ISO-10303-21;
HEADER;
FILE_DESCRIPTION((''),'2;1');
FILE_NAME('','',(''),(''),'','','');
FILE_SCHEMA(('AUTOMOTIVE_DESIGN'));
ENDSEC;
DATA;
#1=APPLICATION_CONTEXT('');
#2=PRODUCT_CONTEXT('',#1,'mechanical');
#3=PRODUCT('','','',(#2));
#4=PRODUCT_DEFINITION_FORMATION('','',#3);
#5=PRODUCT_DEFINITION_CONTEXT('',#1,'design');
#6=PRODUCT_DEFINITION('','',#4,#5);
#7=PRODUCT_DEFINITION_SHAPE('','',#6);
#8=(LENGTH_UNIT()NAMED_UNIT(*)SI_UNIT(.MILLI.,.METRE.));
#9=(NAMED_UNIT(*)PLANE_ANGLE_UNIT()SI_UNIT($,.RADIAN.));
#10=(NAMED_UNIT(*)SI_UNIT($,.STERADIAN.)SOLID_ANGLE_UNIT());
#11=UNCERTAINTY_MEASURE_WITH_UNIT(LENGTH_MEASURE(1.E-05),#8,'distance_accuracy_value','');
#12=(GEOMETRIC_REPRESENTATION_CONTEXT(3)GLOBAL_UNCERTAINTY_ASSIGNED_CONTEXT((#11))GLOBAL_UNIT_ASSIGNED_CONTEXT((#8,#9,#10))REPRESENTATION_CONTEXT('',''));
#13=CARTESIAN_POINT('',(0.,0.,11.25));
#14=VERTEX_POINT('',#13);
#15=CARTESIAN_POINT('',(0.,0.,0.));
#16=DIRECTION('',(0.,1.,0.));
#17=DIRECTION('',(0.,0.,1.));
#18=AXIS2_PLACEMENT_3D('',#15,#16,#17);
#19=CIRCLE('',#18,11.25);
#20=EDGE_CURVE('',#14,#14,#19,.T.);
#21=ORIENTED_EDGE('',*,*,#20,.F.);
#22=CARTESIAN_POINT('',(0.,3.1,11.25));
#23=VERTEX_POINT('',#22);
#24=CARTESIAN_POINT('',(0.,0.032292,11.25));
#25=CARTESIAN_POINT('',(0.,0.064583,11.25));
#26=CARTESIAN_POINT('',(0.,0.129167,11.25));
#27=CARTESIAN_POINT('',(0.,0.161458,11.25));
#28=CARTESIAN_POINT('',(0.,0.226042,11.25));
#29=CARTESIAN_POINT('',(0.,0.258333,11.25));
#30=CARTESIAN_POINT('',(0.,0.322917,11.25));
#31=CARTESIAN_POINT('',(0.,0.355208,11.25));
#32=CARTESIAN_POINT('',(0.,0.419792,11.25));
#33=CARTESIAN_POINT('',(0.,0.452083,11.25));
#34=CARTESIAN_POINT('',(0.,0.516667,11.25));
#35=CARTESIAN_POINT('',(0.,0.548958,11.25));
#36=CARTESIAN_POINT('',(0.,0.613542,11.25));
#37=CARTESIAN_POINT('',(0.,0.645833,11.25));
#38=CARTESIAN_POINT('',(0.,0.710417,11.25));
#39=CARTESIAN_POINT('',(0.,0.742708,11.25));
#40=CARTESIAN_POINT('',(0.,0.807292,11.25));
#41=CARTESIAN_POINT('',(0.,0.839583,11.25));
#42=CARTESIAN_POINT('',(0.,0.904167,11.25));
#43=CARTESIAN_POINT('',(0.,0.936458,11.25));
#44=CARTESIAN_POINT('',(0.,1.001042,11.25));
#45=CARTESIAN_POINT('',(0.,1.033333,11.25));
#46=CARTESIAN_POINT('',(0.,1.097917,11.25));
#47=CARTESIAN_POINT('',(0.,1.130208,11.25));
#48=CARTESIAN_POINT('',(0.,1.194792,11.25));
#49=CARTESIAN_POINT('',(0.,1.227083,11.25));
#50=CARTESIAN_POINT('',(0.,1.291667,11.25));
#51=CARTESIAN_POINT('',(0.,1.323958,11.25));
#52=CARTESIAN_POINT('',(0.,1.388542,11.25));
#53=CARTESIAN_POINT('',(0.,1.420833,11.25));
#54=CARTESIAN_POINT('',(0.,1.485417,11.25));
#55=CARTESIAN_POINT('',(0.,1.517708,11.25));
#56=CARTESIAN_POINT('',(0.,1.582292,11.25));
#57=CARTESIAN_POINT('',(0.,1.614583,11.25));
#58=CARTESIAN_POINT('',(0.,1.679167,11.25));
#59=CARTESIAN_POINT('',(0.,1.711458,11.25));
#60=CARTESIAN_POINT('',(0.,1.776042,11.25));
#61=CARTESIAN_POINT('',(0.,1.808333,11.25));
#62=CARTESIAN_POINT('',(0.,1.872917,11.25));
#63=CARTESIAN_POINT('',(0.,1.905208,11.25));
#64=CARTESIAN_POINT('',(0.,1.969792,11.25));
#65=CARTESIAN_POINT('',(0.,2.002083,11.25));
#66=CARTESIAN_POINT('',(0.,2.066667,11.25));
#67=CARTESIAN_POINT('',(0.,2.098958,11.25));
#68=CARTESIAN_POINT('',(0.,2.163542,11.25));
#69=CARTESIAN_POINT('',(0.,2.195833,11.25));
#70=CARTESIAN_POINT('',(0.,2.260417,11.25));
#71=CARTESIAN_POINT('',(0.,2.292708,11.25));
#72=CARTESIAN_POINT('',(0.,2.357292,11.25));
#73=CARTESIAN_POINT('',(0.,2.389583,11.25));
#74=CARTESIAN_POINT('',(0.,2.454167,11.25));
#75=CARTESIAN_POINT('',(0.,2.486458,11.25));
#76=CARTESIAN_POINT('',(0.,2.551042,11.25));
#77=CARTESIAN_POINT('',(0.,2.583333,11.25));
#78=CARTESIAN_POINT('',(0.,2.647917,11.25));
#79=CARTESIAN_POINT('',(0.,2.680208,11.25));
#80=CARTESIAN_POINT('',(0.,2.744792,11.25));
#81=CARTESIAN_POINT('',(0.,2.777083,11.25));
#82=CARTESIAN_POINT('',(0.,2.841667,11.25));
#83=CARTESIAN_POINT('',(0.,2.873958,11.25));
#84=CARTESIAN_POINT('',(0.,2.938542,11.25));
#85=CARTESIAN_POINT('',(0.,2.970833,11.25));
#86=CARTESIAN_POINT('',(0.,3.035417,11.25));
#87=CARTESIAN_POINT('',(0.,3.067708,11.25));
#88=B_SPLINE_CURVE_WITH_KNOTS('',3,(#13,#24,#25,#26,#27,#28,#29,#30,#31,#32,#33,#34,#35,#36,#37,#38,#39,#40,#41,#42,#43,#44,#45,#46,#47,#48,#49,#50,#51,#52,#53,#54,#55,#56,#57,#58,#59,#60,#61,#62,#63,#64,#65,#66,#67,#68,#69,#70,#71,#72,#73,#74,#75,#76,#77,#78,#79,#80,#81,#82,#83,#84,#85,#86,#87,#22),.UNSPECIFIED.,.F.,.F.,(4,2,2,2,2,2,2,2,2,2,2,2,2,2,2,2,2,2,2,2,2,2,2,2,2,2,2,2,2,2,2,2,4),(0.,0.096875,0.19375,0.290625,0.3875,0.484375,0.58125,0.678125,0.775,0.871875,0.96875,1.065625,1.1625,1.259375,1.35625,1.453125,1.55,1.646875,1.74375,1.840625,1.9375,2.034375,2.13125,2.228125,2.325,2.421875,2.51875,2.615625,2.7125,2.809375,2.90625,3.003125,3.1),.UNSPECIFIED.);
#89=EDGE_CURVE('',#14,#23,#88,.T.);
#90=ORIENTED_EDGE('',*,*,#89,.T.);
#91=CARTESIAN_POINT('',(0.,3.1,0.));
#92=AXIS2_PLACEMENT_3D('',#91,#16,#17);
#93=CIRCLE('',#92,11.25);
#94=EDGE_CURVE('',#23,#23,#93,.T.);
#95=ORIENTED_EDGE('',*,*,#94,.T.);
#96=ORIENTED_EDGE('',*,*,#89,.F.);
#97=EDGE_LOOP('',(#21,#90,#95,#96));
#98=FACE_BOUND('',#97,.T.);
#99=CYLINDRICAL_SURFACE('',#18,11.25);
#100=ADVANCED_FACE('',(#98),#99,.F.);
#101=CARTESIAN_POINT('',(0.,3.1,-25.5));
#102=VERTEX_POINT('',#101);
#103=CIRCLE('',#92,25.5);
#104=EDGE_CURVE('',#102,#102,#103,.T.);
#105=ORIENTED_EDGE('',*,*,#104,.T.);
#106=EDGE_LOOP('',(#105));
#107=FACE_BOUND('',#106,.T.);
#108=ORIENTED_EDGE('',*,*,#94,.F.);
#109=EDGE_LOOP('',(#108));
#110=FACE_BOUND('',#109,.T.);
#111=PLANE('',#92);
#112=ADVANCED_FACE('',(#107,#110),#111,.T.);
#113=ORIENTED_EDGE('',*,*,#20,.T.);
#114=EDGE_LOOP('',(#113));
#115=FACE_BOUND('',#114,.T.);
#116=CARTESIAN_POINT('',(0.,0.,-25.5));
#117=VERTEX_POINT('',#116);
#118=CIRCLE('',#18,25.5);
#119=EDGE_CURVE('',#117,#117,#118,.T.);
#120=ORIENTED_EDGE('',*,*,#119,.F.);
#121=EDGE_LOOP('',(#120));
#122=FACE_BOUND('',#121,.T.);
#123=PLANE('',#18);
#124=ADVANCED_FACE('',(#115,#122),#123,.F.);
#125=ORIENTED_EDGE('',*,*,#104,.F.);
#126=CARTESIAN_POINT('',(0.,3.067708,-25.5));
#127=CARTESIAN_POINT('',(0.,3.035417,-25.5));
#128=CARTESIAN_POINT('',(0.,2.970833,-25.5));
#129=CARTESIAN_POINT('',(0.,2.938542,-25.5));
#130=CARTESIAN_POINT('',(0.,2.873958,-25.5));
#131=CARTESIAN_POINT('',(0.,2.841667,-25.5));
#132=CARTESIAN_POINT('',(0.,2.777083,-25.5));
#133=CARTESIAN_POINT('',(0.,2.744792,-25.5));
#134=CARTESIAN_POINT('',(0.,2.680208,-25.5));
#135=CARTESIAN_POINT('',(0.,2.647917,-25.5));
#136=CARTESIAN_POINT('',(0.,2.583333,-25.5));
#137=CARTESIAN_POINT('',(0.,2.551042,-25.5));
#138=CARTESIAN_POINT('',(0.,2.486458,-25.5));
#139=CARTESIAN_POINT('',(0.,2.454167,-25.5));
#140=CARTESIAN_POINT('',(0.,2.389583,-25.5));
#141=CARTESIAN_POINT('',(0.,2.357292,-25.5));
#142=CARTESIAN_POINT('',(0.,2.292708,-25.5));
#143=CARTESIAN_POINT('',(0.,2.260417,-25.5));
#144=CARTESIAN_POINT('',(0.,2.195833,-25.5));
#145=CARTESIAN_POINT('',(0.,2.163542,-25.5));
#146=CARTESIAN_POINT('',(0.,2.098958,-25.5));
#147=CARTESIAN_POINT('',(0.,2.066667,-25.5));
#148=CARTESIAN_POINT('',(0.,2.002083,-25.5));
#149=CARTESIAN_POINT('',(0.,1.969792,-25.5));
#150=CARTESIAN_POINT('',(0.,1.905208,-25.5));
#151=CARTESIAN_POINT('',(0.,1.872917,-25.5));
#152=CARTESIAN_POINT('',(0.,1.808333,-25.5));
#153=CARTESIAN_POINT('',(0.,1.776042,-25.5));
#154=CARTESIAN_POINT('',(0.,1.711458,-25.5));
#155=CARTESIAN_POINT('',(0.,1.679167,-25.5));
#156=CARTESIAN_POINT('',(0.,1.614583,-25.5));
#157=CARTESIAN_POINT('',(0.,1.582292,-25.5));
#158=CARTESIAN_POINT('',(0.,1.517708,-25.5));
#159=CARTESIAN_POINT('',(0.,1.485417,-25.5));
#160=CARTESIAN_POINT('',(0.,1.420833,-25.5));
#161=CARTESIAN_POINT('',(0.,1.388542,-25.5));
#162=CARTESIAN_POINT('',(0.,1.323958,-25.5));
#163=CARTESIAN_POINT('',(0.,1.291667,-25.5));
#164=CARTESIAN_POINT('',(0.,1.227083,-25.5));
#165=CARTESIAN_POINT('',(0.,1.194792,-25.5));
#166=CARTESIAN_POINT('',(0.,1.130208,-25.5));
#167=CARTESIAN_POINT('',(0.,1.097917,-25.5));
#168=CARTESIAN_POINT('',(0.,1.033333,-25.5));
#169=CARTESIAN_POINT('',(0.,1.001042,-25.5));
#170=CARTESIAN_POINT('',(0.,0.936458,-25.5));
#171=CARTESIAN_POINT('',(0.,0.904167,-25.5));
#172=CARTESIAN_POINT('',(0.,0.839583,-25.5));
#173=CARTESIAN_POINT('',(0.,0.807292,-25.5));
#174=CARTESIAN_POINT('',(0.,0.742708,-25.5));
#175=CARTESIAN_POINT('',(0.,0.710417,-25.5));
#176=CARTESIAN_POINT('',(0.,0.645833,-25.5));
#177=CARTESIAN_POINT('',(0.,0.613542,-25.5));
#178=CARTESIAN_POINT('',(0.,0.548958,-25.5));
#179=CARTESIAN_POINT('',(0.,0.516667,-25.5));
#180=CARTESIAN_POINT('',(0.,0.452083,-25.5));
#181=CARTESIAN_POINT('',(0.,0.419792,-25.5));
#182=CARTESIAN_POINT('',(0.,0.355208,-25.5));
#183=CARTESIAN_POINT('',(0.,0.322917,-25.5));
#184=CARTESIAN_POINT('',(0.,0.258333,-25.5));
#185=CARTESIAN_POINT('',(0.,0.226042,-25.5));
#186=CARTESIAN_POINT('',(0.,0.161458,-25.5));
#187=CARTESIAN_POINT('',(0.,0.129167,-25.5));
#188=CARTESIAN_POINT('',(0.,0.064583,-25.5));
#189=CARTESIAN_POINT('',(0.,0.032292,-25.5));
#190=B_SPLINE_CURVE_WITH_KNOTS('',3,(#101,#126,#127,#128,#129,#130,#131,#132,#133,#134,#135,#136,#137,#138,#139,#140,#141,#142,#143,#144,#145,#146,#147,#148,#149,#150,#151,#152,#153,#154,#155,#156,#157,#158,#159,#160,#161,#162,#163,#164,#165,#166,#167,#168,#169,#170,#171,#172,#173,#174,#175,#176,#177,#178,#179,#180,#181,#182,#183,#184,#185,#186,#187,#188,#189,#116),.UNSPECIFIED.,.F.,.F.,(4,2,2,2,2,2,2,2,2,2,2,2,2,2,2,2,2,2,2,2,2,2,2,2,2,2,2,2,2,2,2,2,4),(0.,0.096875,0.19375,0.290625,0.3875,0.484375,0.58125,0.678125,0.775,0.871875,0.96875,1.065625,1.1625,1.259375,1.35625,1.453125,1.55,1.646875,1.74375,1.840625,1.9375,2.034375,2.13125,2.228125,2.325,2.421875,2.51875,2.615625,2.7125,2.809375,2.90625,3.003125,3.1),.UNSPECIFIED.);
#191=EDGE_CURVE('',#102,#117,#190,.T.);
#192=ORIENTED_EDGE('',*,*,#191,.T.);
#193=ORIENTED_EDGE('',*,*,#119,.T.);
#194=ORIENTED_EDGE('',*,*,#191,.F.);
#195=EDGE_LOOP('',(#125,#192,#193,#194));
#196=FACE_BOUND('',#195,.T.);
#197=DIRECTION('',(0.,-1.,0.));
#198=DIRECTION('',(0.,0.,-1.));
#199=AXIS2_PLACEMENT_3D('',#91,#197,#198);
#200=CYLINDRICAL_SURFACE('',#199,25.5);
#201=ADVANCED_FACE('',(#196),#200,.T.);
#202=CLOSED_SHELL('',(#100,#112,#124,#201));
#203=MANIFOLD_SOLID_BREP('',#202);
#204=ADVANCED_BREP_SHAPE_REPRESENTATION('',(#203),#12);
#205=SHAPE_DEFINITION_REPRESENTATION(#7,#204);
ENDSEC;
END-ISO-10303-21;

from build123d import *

# Parameters (mm, degrees)
SKETCH1_R           = 25.5
BOSS_EXTRUDE1_DEPTH = 3.1
SKETCH2_R           = 11.25
CUT_EXTRUDE1_DEPTH  = 3.1


with BuildPart() as part:
    # Sketch1 → Boss-Extrude1 (new body)
    with BuildSketch(Plane(origin=(0, 0, 0), x_dir=(1, 0, 0), z_dir=(0, 1, 0))):
        with Locations(Location((0, 0, 0), (0, 0, 90))):
            Circle(SKETCH1_R)
    extrude(amount=BOSS_EXTRUDE1_DEPTH)

    # Sketch2 → Cut-Extrude1 (cut)
    with BuildSketch(Plane(origin=(0, 3.1, 0), x_dir=(1, 0, 0), z_dir=(0, 1, 0))):
        with Locations(Location((0, 0, 0), (0, 0, 270))):
            Circle(SKETCH2_R)
    extrude(amount=-CUT_EXTRUDE1_DEPTH, mode=Mode.SUBTRACT)


solid = part.part
